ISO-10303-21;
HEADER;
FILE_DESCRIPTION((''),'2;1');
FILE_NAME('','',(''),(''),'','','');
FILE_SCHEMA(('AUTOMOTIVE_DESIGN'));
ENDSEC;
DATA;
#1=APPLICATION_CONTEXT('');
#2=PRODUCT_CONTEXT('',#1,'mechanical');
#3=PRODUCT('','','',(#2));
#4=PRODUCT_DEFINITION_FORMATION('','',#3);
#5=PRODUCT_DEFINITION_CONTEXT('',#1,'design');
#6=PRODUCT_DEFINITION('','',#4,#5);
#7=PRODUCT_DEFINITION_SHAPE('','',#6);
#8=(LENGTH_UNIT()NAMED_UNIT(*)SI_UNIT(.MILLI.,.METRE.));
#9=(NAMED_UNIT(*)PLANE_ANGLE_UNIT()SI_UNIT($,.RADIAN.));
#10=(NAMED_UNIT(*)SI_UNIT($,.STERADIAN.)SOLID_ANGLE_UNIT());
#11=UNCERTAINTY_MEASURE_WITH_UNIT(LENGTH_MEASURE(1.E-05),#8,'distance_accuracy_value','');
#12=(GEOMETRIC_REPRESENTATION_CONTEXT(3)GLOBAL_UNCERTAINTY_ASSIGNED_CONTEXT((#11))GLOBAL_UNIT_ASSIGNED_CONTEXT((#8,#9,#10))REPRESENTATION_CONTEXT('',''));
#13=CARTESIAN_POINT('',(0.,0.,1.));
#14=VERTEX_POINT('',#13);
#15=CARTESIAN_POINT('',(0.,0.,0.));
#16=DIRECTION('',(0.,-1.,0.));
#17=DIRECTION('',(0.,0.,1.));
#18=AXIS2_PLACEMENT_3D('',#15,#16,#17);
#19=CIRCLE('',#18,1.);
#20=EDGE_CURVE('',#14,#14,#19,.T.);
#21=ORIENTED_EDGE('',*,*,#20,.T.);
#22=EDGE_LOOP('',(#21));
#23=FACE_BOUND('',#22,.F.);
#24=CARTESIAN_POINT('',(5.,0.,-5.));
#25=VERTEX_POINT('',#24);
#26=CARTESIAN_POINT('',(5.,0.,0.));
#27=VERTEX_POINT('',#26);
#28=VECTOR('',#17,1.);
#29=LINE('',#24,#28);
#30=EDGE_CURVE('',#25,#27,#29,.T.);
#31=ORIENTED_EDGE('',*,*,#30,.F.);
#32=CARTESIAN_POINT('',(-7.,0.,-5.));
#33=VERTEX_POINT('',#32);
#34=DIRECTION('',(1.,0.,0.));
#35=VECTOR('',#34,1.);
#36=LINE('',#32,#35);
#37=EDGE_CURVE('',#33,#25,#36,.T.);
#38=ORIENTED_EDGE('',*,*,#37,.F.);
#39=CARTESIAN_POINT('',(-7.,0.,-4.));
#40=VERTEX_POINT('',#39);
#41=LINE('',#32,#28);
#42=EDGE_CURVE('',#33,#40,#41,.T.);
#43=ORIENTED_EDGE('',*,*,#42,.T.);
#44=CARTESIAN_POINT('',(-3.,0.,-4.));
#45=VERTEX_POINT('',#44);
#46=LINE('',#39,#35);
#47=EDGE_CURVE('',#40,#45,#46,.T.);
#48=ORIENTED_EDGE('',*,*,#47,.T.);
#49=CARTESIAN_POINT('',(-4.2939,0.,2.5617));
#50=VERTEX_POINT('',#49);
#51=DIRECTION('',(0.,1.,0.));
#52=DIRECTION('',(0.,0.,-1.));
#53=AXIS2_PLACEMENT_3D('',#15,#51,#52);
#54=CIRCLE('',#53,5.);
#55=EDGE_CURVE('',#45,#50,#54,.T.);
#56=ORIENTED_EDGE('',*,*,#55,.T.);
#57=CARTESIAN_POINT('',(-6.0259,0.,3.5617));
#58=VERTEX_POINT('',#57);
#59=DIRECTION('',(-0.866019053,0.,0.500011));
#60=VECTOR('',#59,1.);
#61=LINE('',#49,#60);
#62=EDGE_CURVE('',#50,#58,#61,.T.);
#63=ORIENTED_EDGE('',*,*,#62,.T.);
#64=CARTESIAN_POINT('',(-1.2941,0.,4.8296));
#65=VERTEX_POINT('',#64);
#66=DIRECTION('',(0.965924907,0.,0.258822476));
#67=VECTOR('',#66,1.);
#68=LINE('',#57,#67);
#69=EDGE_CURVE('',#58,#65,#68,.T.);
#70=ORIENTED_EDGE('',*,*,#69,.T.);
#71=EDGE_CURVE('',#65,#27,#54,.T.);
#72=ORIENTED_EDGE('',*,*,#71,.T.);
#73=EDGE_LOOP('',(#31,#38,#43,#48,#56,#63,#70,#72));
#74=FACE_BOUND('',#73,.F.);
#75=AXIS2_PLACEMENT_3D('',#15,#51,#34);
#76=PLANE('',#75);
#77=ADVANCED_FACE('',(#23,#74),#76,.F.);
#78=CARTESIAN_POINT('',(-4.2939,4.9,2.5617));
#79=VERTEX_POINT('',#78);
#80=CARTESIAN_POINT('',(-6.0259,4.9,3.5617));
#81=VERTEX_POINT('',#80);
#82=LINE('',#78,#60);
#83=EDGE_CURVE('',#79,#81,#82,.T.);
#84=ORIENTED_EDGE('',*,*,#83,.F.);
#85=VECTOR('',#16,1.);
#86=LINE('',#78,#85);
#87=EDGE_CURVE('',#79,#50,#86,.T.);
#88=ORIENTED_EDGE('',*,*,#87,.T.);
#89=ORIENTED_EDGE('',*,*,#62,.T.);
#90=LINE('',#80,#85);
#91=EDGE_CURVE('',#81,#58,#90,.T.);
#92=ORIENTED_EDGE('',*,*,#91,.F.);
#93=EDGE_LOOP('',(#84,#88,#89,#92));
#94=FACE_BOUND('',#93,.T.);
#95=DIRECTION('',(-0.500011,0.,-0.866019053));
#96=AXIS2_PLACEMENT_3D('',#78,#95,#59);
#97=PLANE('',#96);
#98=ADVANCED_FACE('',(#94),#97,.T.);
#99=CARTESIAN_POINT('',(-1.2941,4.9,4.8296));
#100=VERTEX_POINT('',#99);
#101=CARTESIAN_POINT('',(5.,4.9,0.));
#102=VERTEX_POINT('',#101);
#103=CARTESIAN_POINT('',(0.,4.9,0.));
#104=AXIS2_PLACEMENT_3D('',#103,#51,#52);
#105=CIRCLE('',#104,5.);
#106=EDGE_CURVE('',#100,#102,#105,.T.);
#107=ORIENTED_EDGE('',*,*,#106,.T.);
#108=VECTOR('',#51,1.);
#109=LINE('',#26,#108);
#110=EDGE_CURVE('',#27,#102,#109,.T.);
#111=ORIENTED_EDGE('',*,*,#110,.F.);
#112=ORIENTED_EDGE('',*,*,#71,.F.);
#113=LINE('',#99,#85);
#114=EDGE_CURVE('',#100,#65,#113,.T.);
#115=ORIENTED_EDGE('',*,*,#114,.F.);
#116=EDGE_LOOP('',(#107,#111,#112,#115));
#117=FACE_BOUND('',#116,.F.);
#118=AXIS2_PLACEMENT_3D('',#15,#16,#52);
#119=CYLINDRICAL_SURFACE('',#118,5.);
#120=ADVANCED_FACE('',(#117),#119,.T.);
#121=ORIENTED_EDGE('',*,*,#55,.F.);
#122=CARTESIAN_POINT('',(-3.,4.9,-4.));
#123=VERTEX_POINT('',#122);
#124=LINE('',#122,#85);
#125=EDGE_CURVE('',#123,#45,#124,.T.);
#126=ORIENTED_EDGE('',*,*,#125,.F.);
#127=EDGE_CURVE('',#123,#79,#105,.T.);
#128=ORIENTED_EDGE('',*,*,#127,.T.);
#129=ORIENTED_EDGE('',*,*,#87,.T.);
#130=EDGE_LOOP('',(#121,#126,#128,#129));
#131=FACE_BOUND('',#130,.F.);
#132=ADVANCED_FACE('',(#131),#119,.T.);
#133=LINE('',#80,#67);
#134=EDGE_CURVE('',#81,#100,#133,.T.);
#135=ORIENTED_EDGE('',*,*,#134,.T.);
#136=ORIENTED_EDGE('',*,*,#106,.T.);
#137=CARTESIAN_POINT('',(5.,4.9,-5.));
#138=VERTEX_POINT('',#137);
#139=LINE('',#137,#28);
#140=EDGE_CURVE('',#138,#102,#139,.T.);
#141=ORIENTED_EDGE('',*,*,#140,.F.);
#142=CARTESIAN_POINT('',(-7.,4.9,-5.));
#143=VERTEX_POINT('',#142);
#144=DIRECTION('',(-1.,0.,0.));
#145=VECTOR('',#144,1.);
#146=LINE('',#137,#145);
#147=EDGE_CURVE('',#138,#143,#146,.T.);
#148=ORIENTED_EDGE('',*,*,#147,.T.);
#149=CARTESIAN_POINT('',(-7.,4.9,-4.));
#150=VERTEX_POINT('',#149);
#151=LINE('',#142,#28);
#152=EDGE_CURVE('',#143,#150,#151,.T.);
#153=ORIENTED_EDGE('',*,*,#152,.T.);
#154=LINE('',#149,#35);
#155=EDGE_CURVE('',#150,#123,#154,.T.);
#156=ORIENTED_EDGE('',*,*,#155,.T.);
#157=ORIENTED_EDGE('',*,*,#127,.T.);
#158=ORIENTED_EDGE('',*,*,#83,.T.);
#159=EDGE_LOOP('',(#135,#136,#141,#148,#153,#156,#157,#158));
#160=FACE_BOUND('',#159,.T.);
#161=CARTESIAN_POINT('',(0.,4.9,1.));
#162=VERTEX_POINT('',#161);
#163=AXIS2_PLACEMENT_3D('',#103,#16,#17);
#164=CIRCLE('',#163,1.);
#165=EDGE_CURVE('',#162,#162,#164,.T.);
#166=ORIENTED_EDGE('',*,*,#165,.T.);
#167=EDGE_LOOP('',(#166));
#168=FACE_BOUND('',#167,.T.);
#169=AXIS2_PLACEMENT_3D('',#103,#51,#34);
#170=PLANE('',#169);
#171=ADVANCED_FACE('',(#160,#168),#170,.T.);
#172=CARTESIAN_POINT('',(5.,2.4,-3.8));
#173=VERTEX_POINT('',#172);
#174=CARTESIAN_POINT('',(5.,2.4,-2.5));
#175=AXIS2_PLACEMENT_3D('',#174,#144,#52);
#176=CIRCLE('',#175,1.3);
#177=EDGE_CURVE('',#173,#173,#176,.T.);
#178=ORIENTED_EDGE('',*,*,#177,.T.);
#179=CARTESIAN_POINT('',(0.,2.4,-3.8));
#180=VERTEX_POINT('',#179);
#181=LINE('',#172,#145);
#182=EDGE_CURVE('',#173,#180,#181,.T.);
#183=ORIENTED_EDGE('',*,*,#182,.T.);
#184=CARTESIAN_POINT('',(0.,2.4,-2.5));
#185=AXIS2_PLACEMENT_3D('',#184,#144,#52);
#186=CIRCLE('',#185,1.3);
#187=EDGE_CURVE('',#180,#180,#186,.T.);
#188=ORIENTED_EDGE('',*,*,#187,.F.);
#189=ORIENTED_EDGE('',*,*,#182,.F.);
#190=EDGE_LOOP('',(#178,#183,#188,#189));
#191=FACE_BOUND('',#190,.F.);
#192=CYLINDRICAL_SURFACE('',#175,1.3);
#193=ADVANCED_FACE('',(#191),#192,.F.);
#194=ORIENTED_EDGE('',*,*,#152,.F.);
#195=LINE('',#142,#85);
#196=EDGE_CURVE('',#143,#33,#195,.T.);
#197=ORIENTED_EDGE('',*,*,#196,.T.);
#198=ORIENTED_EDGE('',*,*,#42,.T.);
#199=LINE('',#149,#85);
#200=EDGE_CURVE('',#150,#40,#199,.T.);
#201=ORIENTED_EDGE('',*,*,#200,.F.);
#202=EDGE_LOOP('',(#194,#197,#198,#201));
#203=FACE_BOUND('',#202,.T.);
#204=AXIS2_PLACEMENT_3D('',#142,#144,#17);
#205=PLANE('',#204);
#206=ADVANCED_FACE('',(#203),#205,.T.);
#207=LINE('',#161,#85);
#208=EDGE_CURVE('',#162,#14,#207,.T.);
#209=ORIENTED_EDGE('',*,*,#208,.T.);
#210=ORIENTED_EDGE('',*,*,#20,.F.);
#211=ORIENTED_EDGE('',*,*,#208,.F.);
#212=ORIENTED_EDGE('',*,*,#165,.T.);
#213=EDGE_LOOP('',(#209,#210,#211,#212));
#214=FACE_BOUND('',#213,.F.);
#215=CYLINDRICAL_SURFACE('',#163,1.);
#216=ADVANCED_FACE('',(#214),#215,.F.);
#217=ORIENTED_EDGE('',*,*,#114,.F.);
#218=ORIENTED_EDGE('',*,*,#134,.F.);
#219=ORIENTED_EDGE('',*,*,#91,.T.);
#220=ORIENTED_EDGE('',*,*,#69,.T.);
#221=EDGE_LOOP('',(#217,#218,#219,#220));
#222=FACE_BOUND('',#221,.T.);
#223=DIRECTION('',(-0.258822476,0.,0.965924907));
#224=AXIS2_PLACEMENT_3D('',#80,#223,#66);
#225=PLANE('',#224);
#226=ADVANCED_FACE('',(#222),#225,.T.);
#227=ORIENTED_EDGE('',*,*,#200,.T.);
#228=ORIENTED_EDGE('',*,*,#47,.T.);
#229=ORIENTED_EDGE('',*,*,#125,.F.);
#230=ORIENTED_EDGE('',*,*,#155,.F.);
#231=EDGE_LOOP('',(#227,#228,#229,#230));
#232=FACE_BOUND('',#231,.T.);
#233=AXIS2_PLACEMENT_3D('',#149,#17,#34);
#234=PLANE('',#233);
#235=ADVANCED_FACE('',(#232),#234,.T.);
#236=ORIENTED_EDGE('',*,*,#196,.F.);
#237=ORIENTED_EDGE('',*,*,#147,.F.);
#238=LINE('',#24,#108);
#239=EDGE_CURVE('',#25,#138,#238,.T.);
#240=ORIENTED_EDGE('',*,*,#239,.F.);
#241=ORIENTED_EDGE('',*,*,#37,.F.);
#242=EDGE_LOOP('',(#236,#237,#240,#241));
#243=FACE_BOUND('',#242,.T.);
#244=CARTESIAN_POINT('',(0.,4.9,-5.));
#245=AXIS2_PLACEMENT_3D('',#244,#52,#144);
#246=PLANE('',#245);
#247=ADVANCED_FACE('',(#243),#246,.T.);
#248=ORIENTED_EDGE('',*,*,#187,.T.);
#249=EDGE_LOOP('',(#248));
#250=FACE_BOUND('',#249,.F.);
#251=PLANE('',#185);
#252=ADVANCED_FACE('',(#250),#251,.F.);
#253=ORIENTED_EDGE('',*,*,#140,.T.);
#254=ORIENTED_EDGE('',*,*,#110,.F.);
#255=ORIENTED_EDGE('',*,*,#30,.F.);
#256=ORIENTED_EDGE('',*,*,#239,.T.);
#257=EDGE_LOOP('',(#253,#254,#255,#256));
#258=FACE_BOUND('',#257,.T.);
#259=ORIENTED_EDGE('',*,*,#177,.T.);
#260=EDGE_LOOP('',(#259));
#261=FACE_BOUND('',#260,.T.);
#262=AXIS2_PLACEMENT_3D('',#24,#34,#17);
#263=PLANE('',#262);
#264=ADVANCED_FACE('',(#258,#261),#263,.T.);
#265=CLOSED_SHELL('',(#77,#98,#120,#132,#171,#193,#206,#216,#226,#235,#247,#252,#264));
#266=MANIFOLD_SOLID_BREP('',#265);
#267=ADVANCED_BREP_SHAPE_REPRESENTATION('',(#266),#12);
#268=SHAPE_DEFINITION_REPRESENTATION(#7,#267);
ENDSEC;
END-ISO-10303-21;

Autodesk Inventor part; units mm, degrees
ref_plane "YZ Plane" through (0, 0, 0) normal (1, 0, 0) x (0, 1, 0)
ref_plane "XZ Plane" through (0, 0, 0) normal (0, 1, 0) x (-1, 0, 0)
ref_plane "XY Plane" through (0, 0, 0) normal (0, 0, 1) x (1, 0, 0)
sketch "スケッチ1" plane through (0, 0, 0) normal (0, 1, 0) x (-1, 0, 0)
  arc A0 (0, -5) -> (-5, 0) centre (0, 0) ccw
  line L0 (0, -5) -> (-5, -5)
  line L1 (0, -5) -> (5, -5) construction
  line L2 (-5, -5) -> (-5, 0)
  dimension "d1" = 5
  dimension "d2" = 5
  dimension "d3" = 180
  dimension "d4" = 5
extrude "押し出し1" add sketch "スケッチ1" along normal blind 4.9
sketch "スケッチ2" plane through (0, 4.9, 0) normal (0, 1, 0) x (1, 0, 0)
  arc A0 (0, 5) -> (5, 0) centre (0, 0) ccw projected
  line L0 (0.0716, -4.9995) -> (0.0716, -6.9995)
  line L1 (0.0716, -6.9995) -> (3.5355, -3.5355)
  line L2 (0.0716, -6.9995) -> (4.9704, -6.9995) construction
  line L3 (0.0716, -4.9995) -> (3.5355, -3.5355)
  line L4 (4.3655, -2.4378) -> (6.0975, -3.4378)
  line L5 (6.0975, -3.4378) -> (4.8296, 1.2941)
  line L6 (4.3655, -2.4378) -> (4.8296, 1.2941)
  line L7 (4.2939, 2.5617) -> (6.0259, 3.5617)
  line L8 (6.0259, 3.5617) -> (1.2941, 4.8296)
  line L9 (4.2939, 2.5617) -> (1.2941, 4.8296)
  line L10 (-0.0716, 4.9995) -> (-0.0716, 6.9995)
  line L11 (-0.0716, 6.9995) -> (-3.5355, 3.5355)
  line L12 (-0.0716, 4.9995) -> (-3.5355, 3.5355)
  line L13 (-4.3655, 2.4378) -> (-6.0975, 3.4378)
  line L14 (-6.0975, 3.4378) -> (-4.8296, -1.2941)
  line L15 (-4.3655, 2.4378) -> (-4.8296, -1.2941)
  line L16 (-4.2939, -2.5617) -> (-6.0259, -3.5617)
  line L17 (-6.0259, -3.5617) -> (-1.2941, -4.8296)
  line L18 (-4.2939, -2.5617) -> (-1.2941, -4.8296)
  dimension "d7" = 2
  dimension "d8" = 45
  dimension "d41" = 360
sketch "スケッチ3" plane through (0, 4.9, 0) normal (0, 1, 0) x (1, 0, 0)
  point P0 (0, 0)
  point P1 (0, 0)
hole "穴1" at (0, 4.9, 0) direction (0, -1, 0) diameter 2 end through all
sketch "スケッチ4" plane through (5, 0, 0) normal (1, 0, 0) x (0, 0, -1)
  line L0 (0, 4.9) -> (5, 4.9) projected
  line L1 (5, 0) -> (5, 4.9) projected
  point P0 (0, 0)
  point P1 (2.5, 2.4)
  dimension "d28" = 2.5
  dimension "d29" = 2.5
hole "穴2" at (5, 2.4, -2.5) direction (-1, 0, 0) diameter 2.6 depth 5
sketch "スケッチ5" plane through (0, 4.9, 0) normal (0, 1, 0) x (1, 0, 0)
  point P0 (0, 0)
sketch "スケッチ7" plane through (0, 4.9, 0) normal (0, 1, 0) x (1, 0, 0)
  arc A0 (0, 5) -> (5, 0) centre (0, 0) ccw projected
  line L0 (0, 5) -> (-7, 5)
  line L1 (-7, 5) -> (-7, 4)
  line L2 (-7, 4) -> (-3, 4)
  line L3 (-3, 4) -> (0, 5)
  point P0 (-4.936, 0.7977)
  dimension "d35" = 7
  dimension "d36" = 1
extrude "押し出し4" add sketch "スケッチ7" against normal blind 4.9 contours A0 L2 L1 L0
extrude "押し出し5" add sketch "スケッチ2" against normal blind 4.9 contours A0 L17 L16
equation "\"d37\" = atumi"
equation "\"atumi\" = 4.9"
properties part number "ikatire2b"
